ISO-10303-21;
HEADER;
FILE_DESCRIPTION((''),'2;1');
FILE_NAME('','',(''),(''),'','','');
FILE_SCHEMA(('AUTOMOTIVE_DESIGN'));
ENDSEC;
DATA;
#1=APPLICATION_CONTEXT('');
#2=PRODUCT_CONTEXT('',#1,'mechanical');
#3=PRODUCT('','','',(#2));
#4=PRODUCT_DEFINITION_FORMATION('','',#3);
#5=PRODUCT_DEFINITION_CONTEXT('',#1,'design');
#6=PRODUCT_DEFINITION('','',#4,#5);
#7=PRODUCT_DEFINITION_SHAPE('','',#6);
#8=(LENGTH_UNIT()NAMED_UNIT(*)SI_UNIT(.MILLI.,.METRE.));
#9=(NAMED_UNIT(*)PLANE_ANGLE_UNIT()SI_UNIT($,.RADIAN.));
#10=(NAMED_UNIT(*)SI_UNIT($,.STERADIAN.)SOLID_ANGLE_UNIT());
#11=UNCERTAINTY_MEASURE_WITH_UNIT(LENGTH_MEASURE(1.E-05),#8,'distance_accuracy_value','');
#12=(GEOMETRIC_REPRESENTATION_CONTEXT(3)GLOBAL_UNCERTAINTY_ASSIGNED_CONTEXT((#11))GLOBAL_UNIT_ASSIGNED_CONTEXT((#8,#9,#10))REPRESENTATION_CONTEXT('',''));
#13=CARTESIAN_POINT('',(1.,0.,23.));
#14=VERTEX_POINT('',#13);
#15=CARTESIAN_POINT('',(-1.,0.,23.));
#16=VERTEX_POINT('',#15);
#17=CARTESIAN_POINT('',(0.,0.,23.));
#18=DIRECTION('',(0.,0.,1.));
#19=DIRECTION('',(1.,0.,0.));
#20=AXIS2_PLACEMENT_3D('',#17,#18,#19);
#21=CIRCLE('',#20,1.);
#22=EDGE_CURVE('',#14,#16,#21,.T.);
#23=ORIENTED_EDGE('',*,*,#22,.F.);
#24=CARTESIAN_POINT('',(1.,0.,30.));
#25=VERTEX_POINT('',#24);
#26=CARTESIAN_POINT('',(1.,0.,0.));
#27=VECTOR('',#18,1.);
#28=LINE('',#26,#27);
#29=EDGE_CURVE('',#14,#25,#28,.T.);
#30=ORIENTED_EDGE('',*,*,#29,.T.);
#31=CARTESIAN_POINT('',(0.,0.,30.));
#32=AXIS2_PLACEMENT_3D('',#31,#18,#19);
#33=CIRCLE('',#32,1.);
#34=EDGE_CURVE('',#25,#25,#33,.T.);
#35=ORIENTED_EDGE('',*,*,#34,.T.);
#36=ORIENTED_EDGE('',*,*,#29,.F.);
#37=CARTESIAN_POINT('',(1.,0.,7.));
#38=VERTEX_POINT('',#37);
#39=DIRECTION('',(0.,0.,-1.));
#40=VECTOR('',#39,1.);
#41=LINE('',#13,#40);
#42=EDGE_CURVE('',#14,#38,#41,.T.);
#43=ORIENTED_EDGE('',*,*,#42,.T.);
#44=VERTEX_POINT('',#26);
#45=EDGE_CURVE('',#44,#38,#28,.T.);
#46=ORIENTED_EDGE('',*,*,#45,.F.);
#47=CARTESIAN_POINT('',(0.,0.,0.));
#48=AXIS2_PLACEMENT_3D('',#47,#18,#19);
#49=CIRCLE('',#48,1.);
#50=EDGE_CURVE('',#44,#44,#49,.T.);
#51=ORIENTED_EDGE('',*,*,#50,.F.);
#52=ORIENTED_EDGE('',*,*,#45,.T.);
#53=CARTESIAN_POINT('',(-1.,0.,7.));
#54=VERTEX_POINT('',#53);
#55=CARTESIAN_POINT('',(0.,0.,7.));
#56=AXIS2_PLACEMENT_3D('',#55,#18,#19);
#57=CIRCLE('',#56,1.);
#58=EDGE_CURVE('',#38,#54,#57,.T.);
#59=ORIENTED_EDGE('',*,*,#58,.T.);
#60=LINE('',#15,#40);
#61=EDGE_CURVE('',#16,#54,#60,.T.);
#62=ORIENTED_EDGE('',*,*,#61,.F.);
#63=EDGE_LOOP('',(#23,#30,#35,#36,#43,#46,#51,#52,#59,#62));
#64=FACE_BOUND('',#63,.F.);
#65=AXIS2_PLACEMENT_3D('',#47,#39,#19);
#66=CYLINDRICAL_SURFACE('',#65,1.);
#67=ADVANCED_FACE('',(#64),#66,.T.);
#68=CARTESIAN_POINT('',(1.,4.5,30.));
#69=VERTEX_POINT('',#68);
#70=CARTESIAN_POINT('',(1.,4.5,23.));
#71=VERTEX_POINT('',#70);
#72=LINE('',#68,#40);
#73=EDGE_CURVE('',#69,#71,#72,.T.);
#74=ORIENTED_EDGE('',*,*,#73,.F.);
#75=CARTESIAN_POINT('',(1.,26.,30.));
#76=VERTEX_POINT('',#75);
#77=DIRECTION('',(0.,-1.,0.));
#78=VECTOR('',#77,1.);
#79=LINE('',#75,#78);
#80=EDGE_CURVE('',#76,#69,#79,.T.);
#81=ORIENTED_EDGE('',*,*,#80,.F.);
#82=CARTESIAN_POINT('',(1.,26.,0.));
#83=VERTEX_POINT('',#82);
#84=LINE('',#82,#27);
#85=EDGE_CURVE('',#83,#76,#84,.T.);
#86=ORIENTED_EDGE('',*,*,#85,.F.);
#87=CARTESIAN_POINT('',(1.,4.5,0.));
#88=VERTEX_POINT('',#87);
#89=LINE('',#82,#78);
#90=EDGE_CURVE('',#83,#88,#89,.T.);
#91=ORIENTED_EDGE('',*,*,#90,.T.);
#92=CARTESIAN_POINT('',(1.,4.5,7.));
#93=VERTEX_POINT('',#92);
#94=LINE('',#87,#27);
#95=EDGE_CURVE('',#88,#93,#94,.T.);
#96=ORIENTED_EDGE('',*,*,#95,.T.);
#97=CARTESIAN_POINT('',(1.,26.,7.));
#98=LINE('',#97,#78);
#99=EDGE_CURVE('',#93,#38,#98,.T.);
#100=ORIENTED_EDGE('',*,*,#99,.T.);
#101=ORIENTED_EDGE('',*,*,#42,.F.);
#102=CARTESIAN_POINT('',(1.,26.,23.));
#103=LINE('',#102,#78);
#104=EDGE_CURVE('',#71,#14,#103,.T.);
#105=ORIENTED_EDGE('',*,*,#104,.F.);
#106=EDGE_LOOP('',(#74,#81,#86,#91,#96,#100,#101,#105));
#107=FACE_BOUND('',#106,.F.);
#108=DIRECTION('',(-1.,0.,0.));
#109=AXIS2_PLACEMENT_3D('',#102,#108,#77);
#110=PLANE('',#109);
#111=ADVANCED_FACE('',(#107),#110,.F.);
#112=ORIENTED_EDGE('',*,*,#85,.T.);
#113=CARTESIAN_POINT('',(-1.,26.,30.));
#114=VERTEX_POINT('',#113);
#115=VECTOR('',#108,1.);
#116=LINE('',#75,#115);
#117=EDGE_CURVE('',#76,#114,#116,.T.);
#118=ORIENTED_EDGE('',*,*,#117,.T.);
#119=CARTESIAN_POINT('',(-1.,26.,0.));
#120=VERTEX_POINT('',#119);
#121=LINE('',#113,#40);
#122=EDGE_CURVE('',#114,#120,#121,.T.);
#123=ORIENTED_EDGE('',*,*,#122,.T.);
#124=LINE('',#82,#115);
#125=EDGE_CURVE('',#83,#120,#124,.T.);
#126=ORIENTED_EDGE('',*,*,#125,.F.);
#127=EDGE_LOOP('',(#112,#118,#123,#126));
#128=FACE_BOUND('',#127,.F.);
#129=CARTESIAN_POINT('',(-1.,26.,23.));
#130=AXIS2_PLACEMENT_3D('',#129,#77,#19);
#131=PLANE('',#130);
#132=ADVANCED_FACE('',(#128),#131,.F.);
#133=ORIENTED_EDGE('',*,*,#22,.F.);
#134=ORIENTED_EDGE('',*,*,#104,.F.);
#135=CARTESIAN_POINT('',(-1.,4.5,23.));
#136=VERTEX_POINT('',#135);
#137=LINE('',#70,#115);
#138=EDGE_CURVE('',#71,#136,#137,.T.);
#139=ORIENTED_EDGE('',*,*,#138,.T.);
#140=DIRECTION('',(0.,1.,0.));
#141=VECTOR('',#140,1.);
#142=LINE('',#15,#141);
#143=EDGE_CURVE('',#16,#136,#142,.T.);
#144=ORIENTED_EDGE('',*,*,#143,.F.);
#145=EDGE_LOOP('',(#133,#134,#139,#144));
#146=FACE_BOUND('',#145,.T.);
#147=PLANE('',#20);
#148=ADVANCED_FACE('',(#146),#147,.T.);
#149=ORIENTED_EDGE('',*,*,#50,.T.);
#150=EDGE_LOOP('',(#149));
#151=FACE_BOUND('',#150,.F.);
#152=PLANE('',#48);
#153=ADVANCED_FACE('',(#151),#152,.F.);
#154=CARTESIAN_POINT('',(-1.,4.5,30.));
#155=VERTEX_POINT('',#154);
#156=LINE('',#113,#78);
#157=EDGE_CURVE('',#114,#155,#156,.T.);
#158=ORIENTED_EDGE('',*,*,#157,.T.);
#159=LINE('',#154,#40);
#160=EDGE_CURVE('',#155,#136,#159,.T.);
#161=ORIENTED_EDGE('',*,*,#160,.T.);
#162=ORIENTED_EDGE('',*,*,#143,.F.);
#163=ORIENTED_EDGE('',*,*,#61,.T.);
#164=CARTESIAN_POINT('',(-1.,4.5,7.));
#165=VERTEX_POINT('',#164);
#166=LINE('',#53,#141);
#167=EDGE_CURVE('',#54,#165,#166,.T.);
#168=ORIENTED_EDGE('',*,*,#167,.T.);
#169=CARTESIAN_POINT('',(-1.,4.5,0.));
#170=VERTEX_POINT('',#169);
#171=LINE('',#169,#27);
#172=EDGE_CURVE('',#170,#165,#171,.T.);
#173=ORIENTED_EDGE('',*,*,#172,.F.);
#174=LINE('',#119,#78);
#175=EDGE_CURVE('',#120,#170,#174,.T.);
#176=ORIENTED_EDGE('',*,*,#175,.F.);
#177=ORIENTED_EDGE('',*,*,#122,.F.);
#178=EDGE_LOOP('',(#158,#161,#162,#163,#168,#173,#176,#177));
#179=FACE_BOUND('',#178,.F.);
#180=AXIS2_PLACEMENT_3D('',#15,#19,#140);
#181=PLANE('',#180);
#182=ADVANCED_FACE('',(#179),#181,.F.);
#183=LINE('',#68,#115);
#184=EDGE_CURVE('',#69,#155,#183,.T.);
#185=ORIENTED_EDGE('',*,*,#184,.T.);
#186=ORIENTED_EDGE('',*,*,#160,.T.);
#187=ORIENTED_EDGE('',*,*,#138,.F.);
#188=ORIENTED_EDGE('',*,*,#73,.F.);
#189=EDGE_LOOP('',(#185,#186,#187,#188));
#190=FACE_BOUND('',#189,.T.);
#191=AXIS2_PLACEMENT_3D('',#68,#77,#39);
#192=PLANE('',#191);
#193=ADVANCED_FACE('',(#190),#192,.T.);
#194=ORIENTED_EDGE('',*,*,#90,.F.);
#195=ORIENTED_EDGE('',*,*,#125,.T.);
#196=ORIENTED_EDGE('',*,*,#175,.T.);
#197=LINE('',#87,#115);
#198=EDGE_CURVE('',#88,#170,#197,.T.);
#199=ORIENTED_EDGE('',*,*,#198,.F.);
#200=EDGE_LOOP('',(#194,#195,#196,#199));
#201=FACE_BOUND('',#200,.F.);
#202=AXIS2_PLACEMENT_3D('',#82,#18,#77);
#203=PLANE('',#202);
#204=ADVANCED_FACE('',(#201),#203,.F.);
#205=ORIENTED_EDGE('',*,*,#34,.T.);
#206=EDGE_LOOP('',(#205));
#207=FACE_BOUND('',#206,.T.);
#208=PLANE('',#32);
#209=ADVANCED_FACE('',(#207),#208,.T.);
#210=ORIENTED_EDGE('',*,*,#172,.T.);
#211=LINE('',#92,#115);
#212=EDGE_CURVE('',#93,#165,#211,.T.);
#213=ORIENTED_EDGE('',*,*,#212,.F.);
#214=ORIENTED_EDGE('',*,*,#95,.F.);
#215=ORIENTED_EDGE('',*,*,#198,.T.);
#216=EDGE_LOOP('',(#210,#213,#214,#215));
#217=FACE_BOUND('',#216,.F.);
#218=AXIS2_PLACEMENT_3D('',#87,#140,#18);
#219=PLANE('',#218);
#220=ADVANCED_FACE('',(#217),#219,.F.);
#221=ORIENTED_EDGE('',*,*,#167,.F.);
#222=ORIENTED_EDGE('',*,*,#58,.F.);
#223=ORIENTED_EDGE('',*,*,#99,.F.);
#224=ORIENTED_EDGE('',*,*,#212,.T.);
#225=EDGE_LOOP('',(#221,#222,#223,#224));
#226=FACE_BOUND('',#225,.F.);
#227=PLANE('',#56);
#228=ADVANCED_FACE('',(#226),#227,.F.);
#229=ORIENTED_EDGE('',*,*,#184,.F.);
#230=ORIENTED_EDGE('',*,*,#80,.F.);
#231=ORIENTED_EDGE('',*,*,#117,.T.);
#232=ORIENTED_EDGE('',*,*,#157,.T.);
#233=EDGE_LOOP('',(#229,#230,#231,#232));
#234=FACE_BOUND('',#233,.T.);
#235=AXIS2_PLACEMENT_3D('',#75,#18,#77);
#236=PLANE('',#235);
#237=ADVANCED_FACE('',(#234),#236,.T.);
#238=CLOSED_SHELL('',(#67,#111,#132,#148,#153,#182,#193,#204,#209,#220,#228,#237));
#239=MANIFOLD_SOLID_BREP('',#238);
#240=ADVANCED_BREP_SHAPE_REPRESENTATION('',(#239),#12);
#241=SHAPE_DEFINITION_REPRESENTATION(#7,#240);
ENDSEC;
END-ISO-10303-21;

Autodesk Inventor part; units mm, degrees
ref_plane "YZ Plane" through (0, 0, 0) normal (1, 0, 0) x (0, 1, 0)
ref_plane "XZ Plane" through (0, 0, 0) normal (0, 1, 0) x (-1, 0, 0)
ref_plane "XY Plane" through (0, 0, 0) normal (0, 0, 1) x (1, 0, 0)
sketch "Sketch1" plane through (0, 0, 0) normal (0, 0, 1) x (1, 0, 0)
  circle A0 centre (0, 0) radius 1
  dimension "d0" = 2
extrude "Extrusion1" add sketch "Sketch1" along normal blind 30
ref_plane "Work Plane1" through (0, 0, 23) normal (0, 0, 1) x (1, 0, 0)
ref_plane "Work Plane2" through (0, 0, 7) normal (0, 0, -1) x (-1, 0, 0)
sketch "Sketch2" plane through (0, 0, 23) normal (0, 0, 1) x (1, 0, 0)
  circle A0 centre (0, 0) radius 1 projected
  line L0 (1, 0) -> (-1, 0)
  line L1 (-1, 0) -> (-1, 26)
  line L2 (-1, 26) -> (1, 26)
  line L3 (1, 26) -> (1, 0)
  dimension "d7" = 26
extrude "Extrusion2" add sketch "Sketch2" against normal up to surface (16 mm away) contours A0 L1 L2 L3
sketch "Sketch3" plane through (1, 0, 23) normal (1, 0, 0) x (0, 0, -1)
  line L0 (16, 0) -> (16, 26) projected
  line L1 (0, 26) -> (16, 26) projected
  line L2 (0, 0) -> (0, 26) projected
  line L3 (16, 0) -> (0, 0) projected
  line L4 (0, 26) -> (-7, 26)
  line L5 (-7, 26) -> (-7, 4.5)
  line L6 (-7, 4.5) -> (0, 4.5)
  line L7 (0, 4.5) -> (0, 26)
  line L8 (16, 0) -> (16, 26) projected
  line L9 (16, 26) -> (23, 26)
  line L10 (23, 26) -> (23, 4.5)
  line L11 (23, 4.5) -> (16, 4.5)
  line L12 (16, 4.5) -> (16, 26)
  line L13 (23, -1) -> (23, 1) projected
  line L14 (-7, 1) -> (-7, -1) projected
  line L15 (16, 0) -> (0, 0) projected
  line L16 (16, 0) -> (16, 0) projected
  line L17 (16, 0) -> (0, 0) projected
  line L18 (0, 0) -> (0, 0) projected
  point P0 (23, 0)
  point P1 (19.5, 4.5)
  point P2 (-3.5, 4.5)
  point P3 (23, 0)
  point P4 (23, 15.25)
  point P5 (-7, 15.25)
  point P6 (-7, 0)
  dimension "d10" = 3.5
extrude "Extrusion3" add sketch "Sketch3" against normal up to surface (2 mm away) contours L0 L9 L10 L11 | L6 L5 L4 L2
properties part number "gpsDoor"
